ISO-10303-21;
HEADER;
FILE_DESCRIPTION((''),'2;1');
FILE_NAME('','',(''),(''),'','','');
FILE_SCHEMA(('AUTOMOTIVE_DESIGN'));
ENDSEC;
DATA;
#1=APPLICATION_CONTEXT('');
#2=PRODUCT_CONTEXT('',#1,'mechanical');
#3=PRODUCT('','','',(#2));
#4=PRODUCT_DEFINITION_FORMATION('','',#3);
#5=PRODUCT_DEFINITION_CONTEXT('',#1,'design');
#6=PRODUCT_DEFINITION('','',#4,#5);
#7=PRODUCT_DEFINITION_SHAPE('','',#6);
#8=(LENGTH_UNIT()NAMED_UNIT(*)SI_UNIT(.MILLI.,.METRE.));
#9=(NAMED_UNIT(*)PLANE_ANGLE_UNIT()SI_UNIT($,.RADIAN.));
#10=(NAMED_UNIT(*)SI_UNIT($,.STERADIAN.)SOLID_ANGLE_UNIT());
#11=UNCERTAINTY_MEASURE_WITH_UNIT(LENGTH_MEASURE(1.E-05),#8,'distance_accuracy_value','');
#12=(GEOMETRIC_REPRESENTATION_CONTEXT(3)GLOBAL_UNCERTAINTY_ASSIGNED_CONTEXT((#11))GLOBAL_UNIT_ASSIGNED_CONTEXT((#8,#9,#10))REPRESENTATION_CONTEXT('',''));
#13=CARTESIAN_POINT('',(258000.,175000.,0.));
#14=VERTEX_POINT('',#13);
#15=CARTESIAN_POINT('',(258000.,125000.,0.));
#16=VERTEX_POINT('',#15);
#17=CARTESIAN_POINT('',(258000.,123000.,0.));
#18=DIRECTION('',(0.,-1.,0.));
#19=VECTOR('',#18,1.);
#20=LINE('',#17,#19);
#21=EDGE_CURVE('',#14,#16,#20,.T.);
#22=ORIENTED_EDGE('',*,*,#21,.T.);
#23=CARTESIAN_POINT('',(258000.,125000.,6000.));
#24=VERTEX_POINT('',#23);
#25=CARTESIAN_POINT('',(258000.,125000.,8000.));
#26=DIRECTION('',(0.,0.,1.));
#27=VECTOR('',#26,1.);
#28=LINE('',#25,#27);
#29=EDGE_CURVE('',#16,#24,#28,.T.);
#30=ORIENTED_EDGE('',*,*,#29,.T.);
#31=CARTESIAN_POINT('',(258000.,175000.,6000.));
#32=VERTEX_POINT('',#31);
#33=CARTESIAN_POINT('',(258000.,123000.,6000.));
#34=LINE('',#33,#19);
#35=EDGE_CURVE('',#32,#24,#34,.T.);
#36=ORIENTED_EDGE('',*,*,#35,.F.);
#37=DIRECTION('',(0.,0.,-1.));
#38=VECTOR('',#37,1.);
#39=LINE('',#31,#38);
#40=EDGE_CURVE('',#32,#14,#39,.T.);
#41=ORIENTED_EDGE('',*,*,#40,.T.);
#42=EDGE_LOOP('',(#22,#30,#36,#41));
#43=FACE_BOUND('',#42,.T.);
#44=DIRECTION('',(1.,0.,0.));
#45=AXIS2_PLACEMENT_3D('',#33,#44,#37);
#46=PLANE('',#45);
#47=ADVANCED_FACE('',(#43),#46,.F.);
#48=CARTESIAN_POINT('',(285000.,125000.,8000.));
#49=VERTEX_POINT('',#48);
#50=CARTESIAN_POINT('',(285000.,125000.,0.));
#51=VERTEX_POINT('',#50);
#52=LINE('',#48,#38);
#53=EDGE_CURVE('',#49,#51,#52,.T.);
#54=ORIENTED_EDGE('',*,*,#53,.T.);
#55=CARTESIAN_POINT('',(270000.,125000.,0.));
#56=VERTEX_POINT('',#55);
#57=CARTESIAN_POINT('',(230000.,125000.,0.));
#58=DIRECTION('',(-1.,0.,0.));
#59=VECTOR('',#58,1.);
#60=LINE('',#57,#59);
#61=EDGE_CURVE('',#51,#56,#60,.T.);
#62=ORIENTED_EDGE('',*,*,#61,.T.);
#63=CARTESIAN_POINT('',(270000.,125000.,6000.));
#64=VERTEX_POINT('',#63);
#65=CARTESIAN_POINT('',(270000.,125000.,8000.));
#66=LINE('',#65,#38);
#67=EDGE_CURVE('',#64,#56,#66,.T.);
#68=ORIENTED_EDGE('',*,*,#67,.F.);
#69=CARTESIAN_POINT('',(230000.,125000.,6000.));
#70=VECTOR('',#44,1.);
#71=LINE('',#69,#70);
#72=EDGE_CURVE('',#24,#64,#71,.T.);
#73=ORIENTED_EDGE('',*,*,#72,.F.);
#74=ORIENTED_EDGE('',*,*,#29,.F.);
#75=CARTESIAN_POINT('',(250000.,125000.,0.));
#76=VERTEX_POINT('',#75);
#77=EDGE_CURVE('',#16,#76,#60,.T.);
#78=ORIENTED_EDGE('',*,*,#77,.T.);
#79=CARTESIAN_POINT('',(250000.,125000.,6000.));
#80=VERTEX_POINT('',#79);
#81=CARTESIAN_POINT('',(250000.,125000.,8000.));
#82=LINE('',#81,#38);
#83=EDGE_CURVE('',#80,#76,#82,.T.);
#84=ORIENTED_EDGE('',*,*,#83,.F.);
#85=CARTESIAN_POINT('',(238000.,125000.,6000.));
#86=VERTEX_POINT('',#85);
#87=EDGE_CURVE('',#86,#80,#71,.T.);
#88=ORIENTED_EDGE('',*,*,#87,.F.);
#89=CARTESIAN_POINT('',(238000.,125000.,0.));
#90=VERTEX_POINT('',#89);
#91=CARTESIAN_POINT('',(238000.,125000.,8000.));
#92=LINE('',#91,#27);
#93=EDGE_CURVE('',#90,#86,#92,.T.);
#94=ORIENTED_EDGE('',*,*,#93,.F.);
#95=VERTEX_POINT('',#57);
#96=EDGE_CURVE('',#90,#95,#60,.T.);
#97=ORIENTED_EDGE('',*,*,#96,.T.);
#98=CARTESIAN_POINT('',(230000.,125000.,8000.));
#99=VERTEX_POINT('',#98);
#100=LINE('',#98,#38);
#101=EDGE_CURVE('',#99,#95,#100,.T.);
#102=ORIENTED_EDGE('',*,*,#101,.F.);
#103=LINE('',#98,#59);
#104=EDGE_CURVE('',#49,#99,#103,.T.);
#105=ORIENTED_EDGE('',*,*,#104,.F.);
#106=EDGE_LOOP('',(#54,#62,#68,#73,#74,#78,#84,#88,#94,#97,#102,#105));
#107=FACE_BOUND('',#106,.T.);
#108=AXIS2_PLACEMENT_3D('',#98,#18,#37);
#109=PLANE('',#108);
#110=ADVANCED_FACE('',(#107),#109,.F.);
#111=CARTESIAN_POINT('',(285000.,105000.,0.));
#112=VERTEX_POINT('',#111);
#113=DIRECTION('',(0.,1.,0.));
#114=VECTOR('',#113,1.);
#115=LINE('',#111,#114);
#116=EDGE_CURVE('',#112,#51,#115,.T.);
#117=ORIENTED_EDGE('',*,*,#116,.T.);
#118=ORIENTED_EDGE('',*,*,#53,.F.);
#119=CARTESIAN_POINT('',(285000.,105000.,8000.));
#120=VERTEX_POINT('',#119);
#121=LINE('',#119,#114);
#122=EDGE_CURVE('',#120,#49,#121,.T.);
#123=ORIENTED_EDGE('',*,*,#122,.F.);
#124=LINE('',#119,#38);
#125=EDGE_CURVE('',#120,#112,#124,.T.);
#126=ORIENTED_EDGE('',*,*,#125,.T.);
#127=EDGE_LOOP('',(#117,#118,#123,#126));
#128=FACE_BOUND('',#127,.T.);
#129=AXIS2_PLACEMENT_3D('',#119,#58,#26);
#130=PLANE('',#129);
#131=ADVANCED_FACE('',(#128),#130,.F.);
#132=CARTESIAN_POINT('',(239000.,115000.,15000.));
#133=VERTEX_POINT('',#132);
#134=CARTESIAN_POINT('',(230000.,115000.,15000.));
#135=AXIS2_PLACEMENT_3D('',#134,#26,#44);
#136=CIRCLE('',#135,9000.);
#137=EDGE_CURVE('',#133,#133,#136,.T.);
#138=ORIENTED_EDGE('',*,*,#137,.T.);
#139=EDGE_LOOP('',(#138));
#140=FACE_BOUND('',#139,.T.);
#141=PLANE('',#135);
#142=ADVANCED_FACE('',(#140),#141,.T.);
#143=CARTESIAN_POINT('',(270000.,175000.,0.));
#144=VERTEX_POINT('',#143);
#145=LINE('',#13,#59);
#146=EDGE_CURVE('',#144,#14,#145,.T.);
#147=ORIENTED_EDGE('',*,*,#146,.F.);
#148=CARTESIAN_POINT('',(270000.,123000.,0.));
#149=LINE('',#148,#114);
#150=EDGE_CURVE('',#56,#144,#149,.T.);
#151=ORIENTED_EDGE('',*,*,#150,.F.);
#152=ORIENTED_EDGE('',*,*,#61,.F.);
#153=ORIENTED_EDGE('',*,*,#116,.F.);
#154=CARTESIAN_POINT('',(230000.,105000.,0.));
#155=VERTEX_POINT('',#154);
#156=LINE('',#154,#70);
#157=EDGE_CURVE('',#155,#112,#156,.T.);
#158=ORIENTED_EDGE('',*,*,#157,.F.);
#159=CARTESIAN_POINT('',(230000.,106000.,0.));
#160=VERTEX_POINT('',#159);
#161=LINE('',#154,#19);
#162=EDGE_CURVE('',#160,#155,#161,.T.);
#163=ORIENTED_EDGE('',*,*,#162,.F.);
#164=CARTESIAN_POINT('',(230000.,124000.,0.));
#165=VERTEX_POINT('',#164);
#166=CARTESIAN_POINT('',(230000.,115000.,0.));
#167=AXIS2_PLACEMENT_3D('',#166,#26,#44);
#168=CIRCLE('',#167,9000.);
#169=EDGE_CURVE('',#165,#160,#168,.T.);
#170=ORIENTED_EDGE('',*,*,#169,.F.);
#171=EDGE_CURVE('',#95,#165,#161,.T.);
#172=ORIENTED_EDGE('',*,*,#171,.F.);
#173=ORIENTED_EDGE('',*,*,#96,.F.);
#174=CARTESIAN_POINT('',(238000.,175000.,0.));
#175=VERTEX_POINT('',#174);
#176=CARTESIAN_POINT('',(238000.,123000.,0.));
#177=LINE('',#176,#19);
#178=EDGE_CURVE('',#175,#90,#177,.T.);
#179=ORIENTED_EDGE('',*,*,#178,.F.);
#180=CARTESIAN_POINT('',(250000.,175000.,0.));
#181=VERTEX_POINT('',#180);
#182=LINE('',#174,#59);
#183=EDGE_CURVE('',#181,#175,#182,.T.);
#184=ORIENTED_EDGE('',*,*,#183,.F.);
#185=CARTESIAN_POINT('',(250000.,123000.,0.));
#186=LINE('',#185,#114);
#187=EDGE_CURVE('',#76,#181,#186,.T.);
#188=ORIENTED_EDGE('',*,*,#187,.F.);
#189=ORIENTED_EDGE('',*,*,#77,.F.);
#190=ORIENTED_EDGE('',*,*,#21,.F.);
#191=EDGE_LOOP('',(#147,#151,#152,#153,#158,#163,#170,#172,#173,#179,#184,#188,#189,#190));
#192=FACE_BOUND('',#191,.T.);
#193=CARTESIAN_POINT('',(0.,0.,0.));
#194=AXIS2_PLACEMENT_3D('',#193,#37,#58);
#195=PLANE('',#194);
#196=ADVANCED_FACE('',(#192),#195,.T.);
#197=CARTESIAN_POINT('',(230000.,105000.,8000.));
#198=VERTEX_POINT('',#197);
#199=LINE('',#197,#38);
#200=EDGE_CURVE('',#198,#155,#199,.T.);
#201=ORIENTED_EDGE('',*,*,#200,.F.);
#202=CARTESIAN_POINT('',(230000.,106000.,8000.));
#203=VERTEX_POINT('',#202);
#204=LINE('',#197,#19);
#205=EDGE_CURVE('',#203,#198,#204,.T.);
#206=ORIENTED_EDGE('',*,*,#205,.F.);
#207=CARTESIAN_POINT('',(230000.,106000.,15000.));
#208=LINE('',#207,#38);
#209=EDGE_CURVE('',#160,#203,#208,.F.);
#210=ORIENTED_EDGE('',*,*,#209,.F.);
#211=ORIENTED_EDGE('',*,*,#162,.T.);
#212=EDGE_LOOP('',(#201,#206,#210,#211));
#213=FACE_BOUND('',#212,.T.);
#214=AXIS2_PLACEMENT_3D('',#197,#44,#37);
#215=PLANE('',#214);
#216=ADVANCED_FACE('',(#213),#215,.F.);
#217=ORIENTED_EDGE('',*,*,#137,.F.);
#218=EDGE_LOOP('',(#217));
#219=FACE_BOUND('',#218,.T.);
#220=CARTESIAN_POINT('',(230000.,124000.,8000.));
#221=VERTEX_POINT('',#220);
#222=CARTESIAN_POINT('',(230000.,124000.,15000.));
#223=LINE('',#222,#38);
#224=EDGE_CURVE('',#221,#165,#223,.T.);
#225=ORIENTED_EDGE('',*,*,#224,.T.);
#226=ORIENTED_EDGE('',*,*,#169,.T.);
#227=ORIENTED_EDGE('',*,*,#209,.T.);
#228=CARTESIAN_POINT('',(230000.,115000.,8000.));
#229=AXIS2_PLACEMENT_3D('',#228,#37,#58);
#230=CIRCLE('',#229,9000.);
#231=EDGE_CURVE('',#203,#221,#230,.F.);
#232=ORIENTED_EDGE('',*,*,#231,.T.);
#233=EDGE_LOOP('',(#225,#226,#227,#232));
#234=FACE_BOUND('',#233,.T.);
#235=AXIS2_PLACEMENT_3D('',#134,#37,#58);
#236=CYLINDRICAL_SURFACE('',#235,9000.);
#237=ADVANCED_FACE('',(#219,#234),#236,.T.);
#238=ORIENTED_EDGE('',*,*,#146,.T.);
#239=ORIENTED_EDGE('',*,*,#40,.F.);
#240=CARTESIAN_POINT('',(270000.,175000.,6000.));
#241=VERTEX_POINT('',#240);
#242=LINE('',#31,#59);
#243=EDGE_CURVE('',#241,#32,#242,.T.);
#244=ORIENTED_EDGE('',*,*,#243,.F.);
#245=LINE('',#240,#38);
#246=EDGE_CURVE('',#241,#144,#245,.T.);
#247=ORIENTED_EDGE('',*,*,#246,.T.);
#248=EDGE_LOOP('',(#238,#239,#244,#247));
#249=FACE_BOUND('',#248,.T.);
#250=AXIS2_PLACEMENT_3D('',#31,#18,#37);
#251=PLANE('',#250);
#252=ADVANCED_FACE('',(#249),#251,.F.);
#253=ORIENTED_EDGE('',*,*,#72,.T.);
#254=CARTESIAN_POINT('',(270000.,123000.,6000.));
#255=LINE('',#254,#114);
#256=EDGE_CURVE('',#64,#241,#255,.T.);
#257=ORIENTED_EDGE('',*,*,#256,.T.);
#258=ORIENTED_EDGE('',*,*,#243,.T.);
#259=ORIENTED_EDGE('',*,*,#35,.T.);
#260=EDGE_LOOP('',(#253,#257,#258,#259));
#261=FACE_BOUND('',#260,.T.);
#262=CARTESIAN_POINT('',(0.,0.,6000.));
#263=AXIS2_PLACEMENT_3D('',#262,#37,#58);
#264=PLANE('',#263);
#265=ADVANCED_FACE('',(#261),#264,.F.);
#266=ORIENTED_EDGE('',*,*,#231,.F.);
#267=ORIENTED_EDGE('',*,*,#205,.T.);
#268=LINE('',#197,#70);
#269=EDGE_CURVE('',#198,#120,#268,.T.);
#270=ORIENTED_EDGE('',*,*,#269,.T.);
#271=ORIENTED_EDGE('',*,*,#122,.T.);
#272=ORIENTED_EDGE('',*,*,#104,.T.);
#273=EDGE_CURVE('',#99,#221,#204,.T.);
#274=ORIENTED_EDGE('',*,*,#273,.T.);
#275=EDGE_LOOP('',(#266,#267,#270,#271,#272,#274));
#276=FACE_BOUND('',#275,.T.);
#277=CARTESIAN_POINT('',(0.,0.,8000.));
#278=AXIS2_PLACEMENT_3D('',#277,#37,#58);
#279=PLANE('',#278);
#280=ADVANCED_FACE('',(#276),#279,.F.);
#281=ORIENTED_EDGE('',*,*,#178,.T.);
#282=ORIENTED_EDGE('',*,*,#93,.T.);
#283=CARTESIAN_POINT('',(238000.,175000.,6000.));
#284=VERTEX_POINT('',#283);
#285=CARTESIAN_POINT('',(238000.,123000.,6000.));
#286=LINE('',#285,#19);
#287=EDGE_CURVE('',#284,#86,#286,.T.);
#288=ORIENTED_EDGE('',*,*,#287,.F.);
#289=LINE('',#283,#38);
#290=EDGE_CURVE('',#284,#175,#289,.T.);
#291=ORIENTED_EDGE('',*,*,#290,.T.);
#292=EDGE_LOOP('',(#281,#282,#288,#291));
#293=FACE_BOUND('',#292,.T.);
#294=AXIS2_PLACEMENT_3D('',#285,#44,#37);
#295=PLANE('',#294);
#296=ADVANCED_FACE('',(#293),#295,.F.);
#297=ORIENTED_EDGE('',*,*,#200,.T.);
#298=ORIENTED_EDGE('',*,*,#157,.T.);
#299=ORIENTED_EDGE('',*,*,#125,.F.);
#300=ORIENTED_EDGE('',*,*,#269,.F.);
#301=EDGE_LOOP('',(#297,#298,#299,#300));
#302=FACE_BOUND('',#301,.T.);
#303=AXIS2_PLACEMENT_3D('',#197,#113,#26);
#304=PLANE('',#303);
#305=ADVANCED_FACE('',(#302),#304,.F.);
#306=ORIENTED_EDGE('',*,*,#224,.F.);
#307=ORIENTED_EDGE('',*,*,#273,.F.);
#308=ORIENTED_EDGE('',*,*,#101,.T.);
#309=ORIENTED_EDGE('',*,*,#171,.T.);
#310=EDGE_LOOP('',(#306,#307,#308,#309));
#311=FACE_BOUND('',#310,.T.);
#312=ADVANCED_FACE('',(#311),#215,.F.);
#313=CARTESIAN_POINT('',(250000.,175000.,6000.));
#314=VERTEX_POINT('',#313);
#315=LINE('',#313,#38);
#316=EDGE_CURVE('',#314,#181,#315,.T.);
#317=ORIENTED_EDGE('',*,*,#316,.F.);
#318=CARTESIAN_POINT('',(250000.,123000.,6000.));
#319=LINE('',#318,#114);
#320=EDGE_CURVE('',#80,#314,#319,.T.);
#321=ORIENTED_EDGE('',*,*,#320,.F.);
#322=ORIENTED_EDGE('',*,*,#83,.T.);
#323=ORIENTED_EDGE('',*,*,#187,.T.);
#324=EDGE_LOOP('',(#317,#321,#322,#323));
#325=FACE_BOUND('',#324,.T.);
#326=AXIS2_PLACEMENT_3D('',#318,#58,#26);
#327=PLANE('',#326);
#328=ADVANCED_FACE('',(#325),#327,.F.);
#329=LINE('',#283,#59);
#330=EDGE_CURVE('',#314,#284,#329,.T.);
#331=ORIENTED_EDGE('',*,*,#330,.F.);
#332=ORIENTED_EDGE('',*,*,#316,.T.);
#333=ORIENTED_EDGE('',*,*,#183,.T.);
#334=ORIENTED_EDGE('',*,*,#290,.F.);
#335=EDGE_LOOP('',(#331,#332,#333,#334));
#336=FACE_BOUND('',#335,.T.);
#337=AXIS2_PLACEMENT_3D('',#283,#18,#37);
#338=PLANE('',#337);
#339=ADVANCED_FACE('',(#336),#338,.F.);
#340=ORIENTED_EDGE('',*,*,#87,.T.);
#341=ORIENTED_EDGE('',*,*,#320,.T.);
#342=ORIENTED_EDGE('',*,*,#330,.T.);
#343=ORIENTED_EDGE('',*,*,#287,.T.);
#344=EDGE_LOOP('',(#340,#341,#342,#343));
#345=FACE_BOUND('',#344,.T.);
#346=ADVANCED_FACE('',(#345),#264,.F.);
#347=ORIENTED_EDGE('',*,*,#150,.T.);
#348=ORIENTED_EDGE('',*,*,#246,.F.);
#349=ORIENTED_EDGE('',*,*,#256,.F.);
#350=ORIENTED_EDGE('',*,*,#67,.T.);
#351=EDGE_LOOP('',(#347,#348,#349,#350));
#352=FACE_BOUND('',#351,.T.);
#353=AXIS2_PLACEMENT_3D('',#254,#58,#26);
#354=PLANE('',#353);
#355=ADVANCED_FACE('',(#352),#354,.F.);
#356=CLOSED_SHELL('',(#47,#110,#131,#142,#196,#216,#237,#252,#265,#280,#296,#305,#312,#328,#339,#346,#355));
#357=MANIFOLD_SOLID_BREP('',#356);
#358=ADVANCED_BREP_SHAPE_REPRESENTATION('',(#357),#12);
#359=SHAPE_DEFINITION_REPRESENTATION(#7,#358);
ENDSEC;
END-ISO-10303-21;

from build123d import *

# Parameters (mm, degrees)
SKETCH_1_W      = 55000
SKETCH_1_H      = 20000
EXTRUDE_1_DEPTH = 8000
SKETCH_2_R      = 9000
EXTRUDE_2_DEPTH = 15000
SKETCH_3_W      = 12000
SKETCH_3_H      = 52000
EXTRUDE_3_DEPTH = 6000
SKETCH_4_W      = 12000
SKETCH_4_H      = 52000
EXTRUDE_4_DEPTH = 6000


with BuildPart() as part:
    # 草图1 → 凸台-拉伸1 (new body)
    with BuildSketch(Plane.XY):
        with Locations((257500, 115000)):
            Rectangle(SKETCH_1_W, SKETCH_1_H)
    extrude(amount=EXTRUDE_1_DEPTH)

    # 草图2 → 凸台-拉伸2 (add)
    with BuildSketch(Plane.XY):
        with Locations(Location((230000, 115000, 0), (0, 0, 270))):
            Circle(SKETCH_2_R)
    extrude(amount=EXTRUDE_2_DEPTH)

    # 草图3 → 凸台-拉伸3 (add)
    with BuildSketch(Plane.XY):
        with Locations((244000, 149000)):
            Rectangle(SKETCH_3_W, SKETCH_3_H)
    extrude(amount=EXTRUDE_3_DEPTH)

    # 草图4 → 凸台-拉伸4 (add)
    with BuildSketch(Plane.XY):
        with Locations((264000, 149000)):
            Rectangle(SKETCH_4_W, SKETCH_4_H)
    extrude(amount=EXTRUDE_4_DEPTH)


solid = part.part
